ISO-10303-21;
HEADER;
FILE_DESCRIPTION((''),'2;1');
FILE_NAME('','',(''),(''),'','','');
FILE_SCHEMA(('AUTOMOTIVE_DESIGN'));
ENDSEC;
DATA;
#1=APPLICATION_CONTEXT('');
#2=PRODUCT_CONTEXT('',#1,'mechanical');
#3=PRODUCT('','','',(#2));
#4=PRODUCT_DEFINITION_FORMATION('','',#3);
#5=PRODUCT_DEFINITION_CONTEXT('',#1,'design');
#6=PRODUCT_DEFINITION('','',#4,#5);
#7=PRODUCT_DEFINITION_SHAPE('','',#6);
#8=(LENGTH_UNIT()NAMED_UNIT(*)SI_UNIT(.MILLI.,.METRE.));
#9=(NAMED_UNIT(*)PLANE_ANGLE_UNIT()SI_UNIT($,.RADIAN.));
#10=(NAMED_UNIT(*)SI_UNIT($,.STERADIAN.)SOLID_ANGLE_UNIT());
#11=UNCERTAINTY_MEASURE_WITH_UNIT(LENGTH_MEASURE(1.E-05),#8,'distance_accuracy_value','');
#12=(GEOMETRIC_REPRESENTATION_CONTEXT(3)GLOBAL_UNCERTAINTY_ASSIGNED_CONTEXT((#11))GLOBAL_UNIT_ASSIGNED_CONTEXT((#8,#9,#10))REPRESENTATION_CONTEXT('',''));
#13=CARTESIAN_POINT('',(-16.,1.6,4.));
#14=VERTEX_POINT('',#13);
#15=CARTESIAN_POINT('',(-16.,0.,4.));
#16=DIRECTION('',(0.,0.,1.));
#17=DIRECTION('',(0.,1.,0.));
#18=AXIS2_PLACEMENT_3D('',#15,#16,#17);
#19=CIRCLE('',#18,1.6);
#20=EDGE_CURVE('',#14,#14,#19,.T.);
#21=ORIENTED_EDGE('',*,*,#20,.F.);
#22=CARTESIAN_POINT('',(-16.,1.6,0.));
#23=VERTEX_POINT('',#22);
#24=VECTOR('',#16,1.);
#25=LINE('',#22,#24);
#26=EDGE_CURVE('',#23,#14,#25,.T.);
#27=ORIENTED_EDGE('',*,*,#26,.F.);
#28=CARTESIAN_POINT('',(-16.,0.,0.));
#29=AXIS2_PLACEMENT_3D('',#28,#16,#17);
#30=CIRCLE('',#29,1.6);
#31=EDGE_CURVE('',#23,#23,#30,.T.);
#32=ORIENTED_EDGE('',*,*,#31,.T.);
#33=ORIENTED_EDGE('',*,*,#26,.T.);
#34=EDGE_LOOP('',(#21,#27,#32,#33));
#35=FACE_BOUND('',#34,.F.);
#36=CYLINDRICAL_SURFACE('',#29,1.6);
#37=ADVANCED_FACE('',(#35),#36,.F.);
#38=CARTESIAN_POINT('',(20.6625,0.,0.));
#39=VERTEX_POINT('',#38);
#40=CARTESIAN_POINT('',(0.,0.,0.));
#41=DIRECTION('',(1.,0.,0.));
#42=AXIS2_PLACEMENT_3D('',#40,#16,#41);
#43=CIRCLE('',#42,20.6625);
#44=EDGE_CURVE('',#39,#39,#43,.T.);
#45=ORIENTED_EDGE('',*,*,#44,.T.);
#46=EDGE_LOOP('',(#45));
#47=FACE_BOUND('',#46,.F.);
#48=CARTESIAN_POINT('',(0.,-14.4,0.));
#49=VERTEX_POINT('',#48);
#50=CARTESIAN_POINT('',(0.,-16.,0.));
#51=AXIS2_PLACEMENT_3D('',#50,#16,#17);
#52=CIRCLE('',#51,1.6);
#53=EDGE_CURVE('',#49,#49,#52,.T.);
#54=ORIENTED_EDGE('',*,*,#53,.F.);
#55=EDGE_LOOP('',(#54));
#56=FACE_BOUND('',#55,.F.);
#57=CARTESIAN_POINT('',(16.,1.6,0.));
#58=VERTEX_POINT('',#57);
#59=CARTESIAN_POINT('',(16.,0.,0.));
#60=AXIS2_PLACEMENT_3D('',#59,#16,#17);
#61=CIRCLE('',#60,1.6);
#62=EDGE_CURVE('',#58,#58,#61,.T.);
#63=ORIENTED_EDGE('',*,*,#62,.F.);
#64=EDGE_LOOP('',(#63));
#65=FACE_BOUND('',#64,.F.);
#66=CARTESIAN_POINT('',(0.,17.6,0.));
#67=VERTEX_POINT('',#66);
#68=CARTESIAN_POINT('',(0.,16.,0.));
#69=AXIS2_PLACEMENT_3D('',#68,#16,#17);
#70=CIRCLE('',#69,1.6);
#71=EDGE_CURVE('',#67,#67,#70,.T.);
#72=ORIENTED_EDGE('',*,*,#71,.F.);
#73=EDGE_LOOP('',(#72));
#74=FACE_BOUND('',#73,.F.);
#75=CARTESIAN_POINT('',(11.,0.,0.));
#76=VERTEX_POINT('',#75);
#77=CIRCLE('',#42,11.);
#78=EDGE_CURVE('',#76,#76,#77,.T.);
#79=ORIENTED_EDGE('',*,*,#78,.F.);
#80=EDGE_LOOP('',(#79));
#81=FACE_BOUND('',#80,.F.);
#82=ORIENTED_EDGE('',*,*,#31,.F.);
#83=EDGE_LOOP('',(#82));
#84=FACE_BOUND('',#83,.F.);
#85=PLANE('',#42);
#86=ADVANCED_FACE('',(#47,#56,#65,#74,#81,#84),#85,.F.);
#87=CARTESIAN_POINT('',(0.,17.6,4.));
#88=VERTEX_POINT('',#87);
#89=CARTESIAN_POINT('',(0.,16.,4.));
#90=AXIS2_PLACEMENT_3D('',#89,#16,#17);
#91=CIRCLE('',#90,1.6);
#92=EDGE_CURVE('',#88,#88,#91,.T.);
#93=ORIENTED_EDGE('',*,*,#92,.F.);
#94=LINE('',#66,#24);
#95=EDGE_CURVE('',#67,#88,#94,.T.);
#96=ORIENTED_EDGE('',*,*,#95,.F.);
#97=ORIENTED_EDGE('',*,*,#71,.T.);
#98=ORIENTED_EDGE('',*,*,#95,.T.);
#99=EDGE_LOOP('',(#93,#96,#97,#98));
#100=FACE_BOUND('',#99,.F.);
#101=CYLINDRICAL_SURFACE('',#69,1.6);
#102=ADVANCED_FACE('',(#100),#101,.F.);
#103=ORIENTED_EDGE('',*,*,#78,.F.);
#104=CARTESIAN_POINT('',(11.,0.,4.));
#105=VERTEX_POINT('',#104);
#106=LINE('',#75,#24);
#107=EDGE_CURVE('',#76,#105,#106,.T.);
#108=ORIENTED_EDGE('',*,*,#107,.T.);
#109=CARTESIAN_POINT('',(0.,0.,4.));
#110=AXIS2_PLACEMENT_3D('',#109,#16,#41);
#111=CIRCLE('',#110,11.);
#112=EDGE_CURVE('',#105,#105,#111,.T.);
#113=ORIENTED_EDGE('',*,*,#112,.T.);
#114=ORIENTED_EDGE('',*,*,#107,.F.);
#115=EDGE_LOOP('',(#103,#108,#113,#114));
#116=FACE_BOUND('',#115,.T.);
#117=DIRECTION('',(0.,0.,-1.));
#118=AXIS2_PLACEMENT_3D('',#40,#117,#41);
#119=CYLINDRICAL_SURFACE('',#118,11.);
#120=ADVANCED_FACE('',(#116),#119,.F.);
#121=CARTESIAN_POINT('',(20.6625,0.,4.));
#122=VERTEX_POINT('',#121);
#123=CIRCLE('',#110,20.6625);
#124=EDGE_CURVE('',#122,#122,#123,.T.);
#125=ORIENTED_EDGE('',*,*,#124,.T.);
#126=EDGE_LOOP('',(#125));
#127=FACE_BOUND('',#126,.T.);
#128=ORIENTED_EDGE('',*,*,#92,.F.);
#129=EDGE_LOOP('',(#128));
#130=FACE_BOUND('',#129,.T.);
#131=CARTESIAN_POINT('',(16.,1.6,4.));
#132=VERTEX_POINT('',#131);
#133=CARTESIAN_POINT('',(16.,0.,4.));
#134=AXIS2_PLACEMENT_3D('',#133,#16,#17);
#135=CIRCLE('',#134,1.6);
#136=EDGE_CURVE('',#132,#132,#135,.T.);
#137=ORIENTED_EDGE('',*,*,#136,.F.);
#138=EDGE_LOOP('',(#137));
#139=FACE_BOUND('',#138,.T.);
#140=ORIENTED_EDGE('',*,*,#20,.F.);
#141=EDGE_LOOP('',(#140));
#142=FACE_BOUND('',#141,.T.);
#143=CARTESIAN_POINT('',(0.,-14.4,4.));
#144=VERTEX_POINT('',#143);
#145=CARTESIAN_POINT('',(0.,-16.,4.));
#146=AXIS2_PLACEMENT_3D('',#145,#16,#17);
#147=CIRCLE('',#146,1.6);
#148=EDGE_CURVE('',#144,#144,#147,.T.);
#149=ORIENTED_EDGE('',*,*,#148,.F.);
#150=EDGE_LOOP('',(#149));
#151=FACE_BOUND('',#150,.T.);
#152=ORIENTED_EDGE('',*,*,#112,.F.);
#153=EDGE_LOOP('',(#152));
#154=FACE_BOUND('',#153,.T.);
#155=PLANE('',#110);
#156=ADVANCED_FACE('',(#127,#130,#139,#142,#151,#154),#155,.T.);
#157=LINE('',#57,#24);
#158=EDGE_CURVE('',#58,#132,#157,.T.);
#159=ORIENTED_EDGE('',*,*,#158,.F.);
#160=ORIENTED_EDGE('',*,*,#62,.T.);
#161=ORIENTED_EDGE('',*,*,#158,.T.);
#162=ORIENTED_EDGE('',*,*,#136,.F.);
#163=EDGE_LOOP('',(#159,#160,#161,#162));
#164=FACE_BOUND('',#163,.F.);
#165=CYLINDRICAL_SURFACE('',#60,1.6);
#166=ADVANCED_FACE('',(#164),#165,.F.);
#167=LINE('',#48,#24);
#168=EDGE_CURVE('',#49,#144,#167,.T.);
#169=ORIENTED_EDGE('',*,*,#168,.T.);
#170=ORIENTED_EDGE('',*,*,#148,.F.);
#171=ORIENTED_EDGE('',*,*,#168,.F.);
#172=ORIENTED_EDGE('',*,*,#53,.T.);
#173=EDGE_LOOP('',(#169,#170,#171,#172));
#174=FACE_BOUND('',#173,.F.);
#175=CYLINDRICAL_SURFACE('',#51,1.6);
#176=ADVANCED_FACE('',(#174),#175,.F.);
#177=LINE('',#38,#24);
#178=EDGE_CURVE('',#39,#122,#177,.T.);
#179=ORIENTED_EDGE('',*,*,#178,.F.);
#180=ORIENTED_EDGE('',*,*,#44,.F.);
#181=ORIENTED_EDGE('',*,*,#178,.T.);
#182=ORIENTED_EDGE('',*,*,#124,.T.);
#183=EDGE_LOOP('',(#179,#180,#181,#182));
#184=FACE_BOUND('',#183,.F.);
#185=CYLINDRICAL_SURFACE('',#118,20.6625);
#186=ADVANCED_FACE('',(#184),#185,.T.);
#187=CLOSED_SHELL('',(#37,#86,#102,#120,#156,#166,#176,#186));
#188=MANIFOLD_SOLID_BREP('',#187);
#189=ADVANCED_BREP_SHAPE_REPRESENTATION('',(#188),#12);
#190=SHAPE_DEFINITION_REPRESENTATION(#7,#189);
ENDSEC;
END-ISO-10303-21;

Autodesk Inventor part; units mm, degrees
ref_plane "YZ Plane" through (0, 0, 0) normal (1, 0, 0) x (0, 1, 0)
ref_plane "XZ Plane" through (0, 0, 0) normal (0, 1, 0) x (-1, 0, 0)
ref_plane "XY Plane" through (0, 0, 0) normal (0, 0, 1) x (1, 0, 0)
sketch "Sketch1" plane through (0, 0, 0) normal (0, 0, 1) x (1, 0, 0)
  circle A0 centre (0, 0) radius 11
  circle A1 centre (0, 0) radius 20.6625
  point P0 (16, 0)
  point P1 (0, 16)
  point P2 (-16, 0)
  point P3 (0, -16)
  dimension "d0" = 22
  dimension "d2" = 16
  dimension "d5" = 360
  dimension "d7" = 41.325
extrude "Plate1" add sketch "Sketch1" along normal blind 4
hole "Hole1" at (16, 0, 0) at (0, 16, 0) at (-16, 0, 0) at (0, -16, 0) direction (0, 0, 1) diameter 3.2 end through all clearance for "Countersunk Flat Head Screw ISO 2009/7046" size "M3" standard "ISO"
equation "\"d14\" = Thickness"
equation "\"d8\" = Thickness"
equation "\"BendRadius\" = Thickness"
equation "\"BendReliefWidth\" = Thickness"
equation "\"BendReliefDepth\" = 0.5 * Thickness"
equation "\"CornerReliefSize\" = 4 * Thickness"
equation "\"MinimumRemnant\" = 2 * Thickness"
equation "\"TransitionRadius\" = BendRadius"
equation "\"JacobiRadiusSize\" = BendRadius"
equation "\"GapSize\" = Thickness"
equation "\"Thickness\" = 4"
properties part number "60mmspacer" material "Aluminum 6061"
